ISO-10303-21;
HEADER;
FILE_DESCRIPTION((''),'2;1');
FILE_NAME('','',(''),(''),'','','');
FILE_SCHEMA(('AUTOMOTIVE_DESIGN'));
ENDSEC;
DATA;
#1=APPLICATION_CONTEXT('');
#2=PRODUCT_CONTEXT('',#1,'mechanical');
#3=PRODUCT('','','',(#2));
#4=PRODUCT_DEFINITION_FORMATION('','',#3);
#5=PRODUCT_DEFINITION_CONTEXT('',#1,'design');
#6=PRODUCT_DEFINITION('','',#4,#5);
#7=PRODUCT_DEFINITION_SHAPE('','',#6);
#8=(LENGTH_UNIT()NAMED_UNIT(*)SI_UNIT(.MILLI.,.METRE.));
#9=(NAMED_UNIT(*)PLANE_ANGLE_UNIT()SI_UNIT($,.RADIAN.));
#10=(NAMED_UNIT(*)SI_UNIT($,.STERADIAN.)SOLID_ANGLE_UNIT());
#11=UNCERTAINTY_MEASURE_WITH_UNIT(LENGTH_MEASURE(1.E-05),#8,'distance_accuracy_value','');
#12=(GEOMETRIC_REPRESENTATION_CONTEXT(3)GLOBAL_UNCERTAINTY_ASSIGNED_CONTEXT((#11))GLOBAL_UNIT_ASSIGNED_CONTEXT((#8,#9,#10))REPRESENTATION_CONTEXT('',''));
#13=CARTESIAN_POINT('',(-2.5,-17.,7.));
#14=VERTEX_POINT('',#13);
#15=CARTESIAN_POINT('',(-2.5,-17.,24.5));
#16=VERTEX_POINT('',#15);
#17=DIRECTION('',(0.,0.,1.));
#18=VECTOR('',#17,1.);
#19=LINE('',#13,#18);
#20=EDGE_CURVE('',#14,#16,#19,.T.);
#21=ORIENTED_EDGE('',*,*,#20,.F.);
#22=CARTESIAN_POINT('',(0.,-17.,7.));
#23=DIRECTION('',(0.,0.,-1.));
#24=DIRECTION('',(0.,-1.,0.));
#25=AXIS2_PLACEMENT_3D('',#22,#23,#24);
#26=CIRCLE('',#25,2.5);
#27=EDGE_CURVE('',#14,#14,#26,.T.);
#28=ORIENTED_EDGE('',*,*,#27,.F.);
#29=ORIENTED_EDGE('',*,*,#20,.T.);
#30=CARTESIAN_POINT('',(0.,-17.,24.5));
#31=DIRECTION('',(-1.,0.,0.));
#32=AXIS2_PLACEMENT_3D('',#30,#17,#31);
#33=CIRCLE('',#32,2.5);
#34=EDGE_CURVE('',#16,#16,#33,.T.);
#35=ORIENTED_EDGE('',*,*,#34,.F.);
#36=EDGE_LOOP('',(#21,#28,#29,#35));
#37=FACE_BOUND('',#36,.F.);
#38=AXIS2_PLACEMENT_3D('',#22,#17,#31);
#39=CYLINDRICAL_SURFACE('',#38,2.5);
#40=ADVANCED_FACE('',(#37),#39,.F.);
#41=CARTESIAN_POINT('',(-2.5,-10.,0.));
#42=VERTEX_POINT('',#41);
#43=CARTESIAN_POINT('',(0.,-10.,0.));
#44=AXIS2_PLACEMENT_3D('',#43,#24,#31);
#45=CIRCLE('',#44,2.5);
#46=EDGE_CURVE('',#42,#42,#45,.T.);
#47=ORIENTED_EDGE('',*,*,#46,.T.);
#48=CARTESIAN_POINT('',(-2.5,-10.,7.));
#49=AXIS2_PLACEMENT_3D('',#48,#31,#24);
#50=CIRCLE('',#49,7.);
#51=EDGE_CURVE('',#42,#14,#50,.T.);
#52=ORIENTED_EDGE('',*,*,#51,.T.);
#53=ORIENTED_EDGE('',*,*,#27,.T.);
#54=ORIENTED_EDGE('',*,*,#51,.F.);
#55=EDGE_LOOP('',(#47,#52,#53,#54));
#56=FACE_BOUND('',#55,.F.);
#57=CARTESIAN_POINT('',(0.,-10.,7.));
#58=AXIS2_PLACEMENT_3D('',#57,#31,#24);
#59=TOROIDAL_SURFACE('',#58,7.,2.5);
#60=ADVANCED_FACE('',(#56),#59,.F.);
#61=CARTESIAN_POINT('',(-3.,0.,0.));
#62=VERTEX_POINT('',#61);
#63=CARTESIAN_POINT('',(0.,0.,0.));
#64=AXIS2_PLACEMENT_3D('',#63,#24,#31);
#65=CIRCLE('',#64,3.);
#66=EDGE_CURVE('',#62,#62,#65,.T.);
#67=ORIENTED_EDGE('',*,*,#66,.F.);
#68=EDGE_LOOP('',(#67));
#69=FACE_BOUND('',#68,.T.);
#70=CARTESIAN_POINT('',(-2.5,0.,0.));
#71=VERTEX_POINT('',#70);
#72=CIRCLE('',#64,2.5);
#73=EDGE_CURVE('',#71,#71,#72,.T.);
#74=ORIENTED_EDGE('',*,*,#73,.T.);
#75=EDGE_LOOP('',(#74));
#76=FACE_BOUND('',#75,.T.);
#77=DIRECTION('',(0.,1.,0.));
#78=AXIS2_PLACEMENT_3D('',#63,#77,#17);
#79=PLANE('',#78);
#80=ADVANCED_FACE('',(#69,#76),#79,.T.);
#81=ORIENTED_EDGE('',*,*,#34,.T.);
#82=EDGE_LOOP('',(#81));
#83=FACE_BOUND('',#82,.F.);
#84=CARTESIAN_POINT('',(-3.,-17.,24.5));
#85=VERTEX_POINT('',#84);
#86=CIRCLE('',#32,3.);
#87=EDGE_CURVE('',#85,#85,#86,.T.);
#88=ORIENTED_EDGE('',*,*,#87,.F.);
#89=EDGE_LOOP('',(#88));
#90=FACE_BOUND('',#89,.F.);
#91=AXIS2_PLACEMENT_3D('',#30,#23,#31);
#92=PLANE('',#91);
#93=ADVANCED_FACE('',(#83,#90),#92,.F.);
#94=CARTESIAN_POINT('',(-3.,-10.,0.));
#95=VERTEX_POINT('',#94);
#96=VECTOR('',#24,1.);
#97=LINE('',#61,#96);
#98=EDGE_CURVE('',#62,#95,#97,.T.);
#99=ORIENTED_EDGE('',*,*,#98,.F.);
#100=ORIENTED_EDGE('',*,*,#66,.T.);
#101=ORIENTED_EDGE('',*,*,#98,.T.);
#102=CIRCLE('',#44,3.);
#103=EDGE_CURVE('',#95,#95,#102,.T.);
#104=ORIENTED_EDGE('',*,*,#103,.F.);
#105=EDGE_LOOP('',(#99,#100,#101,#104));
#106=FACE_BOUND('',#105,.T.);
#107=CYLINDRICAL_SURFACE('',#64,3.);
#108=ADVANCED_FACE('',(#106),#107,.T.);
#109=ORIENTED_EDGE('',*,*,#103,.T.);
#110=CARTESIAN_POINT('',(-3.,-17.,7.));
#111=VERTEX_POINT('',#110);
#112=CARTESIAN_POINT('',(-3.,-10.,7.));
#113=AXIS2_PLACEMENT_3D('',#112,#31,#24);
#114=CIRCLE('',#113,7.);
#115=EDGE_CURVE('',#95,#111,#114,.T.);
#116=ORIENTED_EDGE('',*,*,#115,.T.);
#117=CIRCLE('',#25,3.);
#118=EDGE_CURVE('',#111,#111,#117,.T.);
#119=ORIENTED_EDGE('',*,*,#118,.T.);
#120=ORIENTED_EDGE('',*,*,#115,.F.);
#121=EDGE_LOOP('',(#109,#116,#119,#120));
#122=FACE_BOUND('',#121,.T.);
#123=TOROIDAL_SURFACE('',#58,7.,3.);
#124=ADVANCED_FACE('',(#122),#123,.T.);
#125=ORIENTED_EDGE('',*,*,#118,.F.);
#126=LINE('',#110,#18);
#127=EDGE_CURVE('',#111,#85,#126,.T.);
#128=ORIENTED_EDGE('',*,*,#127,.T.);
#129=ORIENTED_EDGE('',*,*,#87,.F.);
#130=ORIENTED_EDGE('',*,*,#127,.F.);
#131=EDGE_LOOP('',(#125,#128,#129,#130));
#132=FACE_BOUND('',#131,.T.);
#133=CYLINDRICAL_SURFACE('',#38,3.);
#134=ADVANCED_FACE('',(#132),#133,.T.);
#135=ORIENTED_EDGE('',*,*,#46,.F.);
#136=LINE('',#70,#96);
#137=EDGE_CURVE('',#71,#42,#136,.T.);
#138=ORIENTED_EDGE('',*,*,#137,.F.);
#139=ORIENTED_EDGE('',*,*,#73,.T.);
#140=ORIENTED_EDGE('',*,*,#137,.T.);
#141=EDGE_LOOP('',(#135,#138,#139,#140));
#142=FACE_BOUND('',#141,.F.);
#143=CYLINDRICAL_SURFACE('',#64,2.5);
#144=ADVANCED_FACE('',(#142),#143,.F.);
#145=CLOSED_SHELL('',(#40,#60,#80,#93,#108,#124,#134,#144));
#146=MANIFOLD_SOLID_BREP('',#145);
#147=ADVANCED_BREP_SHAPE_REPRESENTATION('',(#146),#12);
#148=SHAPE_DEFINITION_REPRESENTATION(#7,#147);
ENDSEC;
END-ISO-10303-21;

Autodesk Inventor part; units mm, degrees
ref_plane "YZ Plane" through (0, 0, 0) normal (1, 0, 0) x (0, 1, 0)
ref_plane "XZ Plane" through (0, 0, 0) normal (0, 1, 0) x (-1, 0, 0)
ref_plane "XY Plane" through (0, 0, 0) normal (0, 0, 1) x (1, 0, 0)
sketch "Sketch1" plane through (0, 0, 0) normal (0, 1, 0) x (-1, 0, 0)
  circle A0 centre (0, 0) radius 3
  circle A1 centre (0, 0) radius 2.5
  dimension "d0" = 6
  dimension "d4" = 5
sketch "Sketch2" plane through (0, 0, 0) normal (1, 0, 0) x (0, 1, 0)
  line L0 (0, 0) -> (-10, 0)
  arc A0 (-17, 7) -> (-10, 0) centre (-10, 7) ccw
  line L1 (-17, 7) -> (-17, 24.5)
  line L2 (0, -3) -> (0, 3) projected
  dimension "d1" = 24.5
  dimension "d2" = 7
  dimension "d3" = 17
sweep "Sweep1" add profiles "Sketch1" path "Sketch2" path curves L0 A0 L1
properties part number "24"
